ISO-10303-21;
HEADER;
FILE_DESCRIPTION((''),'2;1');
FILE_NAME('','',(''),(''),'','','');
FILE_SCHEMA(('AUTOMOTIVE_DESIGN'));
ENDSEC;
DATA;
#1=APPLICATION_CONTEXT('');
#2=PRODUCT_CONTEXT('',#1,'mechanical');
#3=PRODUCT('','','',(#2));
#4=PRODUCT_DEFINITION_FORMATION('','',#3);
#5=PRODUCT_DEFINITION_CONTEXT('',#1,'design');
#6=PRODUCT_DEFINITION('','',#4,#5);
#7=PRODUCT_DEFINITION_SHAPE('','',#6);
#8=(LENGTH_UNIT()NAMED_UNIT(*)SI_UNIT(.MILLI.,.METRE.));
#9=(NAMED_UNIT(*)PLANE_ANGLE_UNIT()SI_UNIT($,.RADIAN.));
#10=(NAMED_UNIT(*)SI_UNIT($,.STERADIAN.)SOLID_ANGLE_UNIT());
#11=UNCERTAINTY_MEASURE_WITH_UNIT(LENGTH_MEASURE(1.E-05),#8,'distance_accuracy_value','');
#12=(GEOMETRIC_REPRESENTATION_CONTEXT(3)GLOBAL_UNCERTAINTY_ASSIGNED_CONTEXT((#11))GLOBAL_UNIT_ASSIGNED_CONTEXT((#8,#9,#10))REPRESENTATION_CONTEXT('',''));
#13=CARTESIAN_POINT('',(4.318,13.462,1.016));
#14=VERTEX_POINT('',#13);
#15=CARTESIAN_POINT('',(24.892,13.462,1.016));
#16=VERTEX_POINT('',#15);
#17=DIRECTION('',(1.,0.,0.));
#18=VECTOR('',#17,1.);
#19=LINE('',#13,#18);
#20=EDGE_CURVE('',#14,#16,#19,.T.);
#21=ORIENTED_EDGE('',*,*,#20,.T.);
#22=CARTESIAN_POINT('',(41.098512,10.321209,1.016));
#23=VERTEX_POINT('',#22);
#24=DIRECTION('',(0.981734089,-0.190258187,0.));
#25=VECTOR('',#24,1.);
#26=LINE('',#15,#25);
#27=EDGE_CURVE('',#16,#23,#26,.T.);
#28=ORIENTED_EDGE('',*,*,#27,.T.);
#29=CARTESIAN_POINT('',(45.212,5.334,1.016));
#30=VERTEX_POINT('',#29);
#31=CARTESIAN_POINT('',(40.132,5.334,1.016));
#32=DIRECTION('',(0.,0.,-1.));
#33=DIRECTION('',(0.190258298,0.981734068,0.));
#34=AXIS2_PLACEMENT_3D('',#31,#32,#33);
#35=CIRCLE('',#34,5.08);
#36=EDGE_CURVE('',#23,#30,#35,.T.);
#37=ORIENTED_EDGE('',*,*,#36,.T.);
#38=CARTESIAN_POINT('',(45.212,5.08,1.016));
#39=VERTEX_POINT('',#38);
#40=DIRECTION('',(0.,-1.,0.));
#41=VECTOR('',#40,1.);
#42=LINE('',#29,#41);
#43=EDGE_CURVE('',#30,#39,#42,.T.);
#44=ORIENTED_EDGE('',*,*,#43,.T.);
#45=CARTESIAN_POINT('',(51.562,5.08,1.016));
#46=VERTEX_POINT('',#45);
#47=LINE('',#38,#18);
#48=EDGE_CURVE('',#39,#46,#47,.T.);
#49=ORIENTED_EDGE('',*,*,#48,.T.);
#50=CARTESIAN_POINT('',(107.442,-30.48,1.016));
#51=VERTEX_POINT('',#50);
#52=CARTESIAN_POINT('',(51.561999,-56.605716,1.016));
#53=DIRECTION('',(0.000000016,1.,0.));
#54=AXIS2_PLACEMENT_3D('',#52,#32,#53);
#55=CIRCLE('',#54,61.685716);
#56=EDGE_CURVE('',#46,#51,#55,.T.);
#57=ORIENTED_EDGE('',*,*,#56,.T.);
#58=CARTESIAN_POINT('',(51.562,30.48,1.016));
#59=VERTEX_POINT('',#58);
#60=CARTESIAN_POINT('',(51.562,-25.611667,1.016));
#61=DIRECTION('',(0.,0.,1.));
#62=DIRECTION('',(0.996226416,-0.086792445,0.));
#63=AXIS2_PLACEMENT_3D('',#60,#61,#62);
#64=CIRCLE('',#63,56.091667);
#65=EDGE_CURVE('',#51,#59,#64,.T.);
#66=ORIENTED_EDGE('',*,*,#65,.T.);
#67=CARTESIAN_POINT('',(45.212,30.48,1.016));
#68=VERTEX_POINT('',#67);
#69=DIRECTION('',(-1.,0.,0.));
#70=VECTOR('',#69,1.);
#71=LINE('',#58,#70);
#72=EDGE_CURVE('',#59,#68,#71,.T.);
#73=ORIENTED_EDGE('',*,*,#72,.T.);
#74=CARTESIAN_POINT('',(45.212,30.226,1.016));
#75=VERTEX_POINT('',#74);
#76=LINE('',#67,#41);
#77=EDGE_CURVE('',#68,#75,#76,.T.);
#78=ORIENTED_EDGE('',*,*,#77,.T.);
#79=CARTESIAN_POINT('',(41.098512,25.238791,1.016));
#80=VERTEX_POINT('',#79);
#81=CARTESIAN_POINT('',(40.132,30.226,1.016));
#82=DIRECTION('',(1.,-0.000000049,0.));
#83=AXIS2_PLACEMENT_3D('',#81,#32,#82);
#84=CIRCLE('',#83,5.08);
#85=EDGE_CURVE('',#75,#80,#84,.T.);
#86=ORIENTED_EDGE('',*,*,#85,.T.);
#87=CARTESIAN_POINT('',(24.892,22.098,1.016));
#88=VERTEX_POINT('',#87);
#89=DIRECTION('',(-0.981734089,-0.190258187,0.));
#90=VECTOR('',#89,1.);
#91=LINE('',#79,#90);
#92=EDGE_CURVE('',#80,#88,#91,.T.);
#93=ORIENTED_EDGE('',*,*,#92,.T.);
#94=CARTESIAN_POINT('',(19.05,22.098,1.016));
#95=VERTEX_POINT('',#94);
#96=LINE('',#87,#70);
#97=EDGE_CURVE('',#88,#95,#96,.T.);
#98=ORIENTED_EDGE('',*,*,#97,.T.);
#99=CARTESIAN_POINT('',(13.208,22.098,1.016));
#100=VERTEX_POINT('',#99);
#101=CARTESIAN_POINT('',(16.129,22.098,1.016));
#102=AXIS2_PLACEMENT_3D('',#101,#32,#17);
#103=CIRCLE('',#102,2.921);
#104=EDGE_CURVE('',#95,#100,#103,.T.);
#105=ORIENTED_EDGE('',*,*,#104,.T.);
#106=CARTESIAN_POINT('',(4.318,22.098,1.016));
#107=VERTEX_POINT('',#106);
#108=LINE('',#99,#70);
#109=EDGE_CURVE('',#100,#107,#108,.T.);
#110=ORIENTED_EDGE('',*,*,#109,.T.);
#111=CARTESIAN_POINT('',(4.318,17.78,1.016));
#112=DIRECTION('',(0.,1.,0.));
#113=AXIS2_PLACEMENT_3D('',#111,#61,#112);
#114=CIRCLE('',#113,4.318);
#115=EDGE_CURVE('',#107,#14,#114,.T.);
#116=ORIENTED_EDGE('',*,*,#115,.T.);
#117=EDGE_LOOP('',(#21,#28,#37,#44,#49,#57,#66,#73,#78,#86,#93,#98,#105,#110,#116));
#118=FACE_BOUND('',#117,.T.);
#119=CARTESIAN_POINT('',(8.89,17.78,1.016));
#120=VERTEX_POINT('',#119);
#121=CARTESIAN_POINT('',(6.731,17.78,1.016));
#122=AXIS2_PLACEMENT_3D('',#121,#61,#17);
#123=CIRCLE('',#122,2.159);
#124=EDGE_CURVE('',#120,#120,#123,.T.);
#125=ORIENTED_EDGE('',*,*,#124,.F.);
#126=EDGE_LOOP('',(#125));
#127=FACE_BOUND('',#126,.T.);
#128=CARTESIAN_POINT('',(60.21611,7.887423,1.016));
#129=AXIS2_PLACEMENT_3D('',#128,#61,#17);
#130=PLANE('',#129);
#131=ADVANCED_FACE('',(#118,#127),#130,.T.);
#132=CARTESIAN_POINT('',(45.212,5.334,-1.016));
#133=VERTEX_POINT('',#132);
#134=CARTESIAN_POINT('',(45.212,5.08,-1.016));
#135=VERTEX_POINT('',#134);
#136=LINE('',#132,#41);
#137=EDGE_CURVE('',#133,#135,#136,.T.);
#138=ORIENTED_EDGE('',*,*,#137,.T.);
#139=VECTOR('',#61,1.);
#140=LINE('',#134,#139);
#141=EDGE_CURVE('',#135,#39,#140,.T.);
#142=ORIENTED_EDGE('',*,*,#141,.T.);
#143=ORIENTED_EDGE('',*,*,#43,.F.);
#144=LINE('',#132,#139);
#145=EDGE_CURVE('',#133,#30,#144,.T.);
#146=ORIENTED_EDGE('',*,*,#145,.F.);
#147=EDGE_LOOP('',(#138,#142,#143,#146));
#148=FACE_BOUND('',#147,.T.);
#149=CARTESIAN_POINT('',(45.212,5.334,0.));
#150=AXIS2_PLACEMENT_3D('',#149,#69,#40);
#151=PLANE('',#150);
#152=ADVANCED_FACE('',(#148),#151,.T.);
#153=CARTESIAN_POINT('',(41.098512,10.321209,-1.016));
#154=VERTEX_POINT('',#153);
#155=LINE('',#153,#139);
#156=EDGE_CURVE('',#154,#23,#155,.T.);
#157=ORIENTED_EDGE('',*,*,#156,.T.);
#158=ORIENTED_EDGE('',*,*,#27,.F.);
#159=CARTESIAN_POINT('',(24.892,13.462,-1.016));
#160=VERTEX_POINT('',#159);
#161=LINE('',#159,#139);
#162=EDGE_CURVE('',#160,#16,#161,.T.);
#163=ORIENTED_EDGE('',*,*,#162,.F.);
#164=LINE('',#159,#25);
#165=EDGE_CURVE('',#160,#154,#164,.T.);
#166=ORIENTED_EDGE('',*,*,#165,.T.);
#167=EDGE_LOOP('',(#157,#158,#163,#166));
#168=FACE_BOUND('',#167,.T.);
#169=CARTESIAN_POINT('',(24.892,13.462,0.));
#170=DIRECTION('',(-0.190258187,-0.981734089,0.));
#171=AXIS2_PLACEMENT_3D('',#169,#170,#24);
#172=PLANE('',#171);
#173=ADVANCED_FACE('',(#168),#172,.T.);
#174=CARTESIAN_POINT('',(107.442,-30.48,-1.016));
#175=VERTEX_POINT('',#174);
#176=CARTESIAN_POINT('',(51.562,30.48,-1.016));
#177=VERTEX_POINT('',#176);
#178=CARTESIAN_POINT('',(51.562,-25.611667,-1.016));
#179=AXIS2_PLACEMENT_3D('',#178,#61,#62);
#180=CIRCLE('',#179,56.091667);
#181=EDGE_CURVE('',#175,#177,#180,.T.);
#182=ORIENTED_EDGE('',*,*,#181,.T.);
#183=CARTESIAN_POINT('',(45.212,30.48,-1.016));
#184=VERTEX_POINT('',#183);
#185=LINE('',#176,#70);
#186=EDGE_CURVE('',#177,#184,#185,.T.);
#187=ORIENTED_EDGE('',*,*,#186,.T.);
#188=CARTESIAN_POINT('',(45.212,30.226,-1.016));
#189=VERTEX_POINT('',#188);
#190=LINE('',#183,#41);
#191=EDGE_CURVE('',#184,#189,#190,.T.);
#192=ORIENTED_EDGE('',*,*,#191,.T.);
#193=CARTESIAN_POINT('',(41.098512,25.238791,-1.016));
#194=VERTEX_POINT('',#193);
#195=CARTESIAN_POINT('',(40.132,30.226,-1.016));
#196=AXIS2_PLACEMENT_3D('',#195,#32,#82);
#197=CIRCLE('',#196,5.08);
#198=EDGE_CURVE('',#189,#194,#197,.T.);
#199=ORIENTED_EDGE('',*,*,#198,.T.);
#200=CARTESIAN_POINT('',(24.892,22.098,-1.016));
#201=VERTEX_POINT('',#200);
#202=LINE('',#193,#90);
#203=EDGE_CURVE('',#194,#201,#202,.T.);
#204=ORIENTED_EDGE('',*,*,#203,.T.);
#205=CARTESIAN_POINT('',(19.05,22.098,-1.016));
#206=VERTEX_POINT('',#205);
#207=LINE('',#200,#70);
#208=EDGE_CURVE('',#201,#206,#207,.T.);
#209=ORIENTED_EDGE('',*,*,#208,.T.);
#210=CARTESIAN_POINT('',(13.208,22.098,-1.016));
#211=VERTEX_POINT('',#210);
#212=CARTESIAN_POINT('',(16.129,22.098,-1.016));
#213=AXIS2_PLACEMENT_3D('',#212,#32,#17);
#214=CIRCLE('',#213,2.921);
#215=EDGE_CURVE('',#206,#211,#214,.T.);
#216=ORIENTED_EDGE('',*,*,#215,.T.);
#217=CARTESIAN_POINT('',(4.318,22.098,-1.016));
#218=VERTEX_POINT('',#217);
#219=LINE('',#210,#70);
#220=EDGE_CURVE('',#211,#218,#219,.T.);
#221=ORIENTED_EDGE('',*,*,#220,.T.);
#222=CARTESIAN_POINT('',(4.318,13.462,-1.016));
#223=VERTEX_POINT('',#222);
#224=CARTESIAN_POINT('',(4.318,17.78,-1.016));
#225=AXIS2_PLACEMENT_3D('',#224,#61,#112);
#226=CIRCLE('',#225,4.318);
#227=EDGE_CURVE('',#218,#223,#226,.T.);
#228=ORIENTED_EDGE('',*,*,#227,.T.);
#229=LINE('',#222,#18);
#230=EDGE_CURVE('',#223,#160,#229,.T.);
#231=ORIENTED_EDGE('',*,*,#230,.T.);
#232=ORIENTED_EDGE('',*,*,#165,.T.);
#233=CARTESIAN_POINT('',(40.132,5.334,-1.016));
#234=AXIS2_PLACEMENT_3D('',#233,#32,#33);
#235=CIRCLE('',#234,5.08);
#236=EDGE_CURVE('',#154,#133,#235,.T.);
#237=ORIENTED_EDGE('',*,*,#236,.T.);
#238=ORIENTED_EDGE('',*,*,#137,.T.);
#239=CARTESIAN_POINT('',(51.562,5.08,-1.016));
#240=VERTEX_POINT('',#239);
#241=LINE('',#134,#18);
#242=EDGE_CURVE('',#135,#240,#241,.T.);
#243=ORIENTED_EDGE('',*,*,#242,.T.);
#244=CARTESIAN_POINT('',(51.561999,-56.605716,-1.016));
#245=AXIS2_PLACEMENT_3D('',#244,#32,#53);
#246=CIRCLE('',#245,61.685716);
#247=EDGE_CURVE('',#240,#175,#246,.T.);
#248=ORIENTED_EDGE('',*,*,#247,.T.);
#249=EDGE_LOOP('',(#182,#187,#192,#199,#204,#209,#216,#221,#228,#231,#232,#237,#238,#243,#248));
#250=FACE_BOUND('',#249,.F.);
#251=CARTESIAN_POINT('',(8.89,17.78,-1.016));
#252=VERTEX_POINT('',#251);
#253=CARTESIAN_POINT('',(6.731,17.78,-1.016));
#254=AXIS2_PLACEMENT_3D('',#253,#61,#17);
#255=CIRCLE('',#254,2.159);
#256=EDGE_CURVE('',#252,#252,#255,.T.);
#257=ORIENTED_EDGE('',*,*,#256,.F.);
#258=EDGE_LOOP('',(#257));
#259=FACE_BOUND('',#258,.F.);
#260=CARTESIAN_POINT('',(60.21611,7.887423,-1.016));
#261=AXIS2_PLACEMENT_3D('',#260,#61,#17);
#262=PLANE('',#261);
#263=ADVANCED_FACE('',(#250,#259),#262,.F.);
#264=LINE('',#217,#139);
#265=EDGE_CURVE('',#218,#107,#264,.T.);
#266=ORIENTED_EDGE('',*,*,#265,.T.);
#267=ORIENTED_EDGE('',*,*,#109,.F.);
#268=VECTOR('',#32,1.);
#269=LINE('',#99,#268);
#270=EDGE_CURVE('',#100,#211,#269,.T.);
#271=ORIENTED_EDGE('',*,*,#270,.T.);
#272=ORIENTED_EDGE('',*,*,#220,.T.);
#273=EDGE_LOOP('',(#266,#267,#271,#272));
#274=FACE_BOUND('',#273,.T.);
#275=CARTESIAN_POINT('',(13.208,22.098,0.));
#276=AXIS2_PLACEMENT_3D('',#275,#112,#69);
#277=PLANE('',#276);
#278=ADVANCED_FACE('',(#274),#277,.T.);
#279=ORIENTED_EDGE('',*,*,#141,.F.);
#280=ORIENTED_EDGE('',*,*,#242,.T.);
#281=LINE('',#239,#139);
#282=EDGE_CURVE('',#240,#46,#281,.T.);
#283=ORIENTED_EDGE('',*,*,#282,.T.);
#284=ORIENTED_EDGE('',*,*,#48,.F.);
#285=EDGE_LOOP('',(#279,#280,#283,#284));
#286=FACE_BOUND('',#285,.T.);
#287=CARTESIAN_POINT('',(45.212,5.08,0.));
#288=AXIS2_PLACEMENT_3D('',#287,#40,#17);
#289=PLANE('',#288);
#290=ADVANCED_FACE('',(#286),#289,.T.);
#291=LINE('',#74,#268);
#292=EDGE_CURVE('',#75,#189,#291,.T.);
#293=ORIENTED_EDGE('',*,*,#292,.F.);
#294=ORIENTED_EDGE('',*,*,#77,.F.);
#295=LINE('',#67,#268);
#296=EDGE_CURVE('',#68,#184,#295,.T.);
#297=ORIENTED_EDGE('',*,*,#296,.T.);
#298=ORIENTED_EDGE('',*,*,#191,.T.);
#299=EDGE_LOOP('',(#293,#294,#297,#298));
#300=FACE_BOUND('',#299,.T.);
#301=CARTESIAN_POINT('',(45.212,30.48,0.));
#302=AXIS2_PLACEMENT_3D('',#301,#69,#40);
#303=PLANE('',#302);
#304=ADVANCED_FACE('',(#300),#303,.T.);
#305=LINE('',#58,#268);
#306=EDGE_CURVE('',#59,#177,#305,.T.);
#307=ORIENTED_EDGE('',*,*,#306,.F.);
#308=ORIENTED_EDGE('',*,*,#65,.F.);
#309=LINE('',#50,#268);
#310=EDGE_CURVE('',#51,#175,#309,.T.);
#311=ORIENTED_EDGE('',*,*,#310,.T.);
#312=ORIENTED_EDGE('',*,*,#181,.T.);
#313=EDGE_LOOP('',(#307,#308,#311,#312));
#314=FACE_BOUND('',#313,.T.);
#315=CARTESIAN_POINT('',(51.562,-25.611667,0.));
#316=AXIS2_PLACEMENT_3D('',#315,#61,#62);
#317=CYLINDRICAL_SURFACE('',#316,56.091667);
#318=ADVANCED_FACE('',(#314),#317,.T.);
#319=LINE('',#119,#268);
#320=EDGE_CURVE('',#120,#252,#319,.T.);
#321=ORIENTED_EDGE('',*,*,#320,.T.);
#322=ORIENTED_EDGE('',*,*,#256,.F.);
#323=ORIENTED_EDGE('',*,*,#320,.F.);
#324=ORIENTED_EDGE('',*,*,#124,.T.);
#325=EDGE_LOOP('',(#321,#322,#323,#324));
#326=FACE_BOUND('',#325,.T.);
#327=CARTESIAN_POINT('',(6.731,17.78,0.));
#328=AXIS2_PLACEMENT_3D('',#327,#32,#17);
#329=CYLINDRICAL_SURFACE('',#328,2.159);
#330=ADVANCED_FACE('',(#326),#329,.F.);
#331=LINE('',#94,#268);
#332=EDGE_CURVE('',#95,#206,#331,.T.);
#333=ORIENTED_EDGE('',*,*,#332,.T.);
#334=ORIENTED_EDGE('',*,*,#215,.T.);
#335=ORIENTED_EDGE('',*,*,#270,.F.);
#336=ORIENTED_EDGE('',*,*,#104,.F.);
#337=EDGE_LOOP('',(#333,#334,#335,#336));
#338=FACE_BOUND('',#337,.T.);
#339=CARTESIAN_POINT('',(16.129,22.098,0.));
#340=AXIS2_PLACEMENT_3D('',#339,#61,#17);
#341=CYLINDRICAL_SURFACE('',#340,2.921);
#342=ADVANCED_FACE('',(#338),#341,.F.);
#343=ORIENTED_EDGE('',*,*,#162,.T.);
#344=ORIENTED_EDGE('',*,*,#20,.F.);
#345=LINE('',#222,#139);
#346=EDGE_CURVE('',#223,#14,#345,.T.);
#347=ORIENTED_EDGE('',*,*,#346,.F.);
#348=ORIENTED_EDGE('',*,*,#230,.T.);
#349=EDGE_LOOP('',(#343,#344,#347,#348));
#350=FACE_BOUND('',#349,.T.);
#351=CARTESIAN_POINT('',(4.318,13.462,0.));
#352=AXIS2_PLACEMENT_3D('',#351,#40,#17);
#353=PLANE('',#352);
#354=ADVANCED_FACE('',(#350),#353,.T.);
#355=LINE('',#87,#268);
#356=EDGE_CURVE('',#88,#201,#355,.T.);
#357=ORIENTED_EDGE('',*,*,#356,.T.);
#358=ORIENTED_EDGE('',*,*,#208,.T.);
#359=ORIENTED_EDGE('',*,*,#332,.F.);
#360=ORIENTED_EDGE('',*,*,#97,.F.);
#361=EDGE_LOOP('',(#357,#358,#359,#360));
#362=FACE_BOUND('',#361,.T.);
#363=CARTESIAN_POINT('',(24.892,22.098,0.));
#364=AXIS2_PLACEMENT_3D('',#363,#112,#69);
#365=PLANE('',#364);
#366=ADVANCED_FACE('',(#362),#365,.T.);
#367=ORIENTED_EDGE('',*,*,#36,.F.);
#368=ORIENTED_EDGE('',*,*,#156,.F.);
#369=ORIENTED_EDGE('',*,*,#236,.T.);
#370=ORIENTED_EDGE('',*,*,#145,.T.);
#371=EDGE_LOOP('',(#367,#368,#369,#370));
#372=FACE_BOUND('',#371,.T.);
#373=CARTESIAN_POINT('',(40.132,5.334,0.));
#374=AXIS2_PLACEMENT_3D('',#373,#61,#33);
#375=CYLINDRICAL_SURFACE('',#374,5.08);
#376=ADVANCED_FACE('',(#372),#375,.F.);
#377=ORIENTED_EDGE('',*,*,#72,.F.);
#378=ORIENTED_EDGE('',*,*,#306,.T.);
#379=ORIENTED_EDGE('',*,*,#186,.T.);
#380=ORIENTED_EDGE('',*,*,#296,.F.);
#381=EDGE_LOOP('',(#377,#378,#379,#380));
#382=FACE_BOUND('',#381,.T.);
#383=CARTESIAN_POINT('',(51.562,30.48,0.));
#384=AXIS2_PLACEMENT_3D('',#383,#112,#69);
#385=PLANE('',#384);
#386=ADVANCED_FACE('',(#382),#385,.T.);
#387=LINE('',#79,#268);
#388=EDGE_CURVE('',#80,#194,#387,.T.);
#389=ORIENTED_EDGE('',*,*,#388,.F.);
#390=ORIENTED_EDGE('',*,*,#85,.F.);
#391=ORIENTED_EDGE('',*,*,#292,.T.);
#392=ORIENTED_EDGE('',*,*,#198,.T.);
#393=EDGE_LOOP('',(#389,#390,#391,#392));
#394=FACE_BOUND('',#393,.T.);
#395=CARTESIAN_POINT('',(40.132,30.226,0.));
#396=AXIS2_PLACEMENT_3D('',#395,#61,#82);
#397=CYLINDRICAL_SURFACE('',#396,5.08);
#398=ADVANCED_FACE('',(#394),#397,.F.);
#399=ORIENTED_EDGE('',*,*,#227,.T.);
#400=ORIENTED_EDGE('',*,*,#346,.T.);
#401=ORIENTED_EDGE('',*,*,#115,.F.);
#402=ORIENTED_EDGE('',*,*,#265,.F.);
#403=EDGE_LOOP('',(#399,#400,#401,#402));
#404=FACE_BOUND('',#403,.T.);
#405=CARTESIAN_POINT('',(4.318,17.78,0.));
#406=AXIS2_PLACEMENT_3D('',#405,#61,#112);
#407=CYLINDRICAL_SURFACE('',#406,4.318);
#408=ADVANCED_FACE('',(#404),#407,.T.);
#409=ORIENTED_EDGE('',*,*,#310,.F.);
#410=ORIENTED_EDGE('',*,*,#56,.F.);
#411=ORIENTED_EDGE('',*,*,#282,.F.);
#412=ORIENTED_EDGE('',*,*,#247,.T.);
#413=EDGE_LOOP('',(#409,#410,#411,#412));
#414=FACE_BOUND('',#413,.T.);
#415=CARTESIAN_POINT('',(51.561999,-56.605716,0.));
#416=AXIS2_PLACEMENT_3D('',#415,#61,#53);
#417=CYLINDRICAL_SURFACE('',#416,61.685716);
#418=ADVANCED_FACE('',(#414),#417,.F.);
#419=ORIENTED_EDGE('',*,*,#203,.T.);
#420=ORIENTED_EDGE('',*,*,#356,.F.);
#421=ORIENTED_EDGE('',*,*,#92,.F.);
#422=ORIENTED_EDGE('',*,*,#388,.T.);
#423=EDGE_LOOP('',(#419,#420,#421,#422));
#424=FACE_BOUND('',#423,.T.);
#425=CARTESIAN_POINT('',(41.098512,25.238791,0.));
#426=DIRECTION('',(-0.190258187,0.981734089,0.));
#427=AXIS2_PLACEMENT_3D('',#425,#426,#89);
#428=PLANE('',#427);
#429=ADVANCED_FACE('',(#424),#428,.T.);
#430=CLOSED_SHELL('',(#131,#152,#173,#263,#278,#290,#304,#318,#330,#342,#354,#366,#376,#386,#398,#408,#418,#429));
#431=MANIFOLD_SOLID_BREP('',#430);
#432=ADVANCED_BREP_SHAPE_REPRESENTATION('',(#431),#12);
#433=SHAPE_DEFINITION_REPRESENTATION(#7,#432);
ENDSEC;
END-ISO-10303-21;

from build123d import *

# Parameters (mm, degrees)
F0_R     = 2.159
F1_DEPTH = 1.016


with BuildPart() as f1:
    # F0 (on Top) → F1 (new body, symmetric)
    with BuildSketch(Plane.XY):
        with BuildLine():
            Line((13.208, 22.098), (4.318, 22.098))
            ThreePointArc((4.318, 22.098), (0, 17.78), (4.318, 13.462))
            Line((4.318, 13.462), (24.892, 13.462))
            Line((24.892, 13.462), (41.098512, 10.321209))
            ThreePointArc((41.098512, 10.321209), (44.050946, 8.566377), (45.212, 5.334))
            Line((45.212, 5.334), (45.212, 5.08))
            Line((45.212, 5.08), (51.562, 5.08))
            ThreePointArc((51.562, 5.08), (84.679548, -4.563853), (107.442, -30.48))
            ThreePointArc((107.442, -30.48), (92.910204, 12.290854), (51.562, 30.48))
            Line((51.562, 30.48), (45.212, 30.48))
            Line((45.212, 30.48), (45.212, 30.226))
            ThreePointArc((45.212, 30.226), (44.050946, 26.993623), (41.098512, 25.238791))
            Line((41.098512, 25.238791), (24.892, 22.098))
            Line((24.892, 22.098), (19.05, 22.098))
            ThreePointArc((19.05, 22.098), (16.129, 19.177), (13.208, 22.098))
        make_face()
        with Locations((6.731, 17.78)):
            Circle(F0_R, mode=Mode.SUBTRACT)
    extrude(amount=F1_DEPTH, both=True)


solid = f1.part
